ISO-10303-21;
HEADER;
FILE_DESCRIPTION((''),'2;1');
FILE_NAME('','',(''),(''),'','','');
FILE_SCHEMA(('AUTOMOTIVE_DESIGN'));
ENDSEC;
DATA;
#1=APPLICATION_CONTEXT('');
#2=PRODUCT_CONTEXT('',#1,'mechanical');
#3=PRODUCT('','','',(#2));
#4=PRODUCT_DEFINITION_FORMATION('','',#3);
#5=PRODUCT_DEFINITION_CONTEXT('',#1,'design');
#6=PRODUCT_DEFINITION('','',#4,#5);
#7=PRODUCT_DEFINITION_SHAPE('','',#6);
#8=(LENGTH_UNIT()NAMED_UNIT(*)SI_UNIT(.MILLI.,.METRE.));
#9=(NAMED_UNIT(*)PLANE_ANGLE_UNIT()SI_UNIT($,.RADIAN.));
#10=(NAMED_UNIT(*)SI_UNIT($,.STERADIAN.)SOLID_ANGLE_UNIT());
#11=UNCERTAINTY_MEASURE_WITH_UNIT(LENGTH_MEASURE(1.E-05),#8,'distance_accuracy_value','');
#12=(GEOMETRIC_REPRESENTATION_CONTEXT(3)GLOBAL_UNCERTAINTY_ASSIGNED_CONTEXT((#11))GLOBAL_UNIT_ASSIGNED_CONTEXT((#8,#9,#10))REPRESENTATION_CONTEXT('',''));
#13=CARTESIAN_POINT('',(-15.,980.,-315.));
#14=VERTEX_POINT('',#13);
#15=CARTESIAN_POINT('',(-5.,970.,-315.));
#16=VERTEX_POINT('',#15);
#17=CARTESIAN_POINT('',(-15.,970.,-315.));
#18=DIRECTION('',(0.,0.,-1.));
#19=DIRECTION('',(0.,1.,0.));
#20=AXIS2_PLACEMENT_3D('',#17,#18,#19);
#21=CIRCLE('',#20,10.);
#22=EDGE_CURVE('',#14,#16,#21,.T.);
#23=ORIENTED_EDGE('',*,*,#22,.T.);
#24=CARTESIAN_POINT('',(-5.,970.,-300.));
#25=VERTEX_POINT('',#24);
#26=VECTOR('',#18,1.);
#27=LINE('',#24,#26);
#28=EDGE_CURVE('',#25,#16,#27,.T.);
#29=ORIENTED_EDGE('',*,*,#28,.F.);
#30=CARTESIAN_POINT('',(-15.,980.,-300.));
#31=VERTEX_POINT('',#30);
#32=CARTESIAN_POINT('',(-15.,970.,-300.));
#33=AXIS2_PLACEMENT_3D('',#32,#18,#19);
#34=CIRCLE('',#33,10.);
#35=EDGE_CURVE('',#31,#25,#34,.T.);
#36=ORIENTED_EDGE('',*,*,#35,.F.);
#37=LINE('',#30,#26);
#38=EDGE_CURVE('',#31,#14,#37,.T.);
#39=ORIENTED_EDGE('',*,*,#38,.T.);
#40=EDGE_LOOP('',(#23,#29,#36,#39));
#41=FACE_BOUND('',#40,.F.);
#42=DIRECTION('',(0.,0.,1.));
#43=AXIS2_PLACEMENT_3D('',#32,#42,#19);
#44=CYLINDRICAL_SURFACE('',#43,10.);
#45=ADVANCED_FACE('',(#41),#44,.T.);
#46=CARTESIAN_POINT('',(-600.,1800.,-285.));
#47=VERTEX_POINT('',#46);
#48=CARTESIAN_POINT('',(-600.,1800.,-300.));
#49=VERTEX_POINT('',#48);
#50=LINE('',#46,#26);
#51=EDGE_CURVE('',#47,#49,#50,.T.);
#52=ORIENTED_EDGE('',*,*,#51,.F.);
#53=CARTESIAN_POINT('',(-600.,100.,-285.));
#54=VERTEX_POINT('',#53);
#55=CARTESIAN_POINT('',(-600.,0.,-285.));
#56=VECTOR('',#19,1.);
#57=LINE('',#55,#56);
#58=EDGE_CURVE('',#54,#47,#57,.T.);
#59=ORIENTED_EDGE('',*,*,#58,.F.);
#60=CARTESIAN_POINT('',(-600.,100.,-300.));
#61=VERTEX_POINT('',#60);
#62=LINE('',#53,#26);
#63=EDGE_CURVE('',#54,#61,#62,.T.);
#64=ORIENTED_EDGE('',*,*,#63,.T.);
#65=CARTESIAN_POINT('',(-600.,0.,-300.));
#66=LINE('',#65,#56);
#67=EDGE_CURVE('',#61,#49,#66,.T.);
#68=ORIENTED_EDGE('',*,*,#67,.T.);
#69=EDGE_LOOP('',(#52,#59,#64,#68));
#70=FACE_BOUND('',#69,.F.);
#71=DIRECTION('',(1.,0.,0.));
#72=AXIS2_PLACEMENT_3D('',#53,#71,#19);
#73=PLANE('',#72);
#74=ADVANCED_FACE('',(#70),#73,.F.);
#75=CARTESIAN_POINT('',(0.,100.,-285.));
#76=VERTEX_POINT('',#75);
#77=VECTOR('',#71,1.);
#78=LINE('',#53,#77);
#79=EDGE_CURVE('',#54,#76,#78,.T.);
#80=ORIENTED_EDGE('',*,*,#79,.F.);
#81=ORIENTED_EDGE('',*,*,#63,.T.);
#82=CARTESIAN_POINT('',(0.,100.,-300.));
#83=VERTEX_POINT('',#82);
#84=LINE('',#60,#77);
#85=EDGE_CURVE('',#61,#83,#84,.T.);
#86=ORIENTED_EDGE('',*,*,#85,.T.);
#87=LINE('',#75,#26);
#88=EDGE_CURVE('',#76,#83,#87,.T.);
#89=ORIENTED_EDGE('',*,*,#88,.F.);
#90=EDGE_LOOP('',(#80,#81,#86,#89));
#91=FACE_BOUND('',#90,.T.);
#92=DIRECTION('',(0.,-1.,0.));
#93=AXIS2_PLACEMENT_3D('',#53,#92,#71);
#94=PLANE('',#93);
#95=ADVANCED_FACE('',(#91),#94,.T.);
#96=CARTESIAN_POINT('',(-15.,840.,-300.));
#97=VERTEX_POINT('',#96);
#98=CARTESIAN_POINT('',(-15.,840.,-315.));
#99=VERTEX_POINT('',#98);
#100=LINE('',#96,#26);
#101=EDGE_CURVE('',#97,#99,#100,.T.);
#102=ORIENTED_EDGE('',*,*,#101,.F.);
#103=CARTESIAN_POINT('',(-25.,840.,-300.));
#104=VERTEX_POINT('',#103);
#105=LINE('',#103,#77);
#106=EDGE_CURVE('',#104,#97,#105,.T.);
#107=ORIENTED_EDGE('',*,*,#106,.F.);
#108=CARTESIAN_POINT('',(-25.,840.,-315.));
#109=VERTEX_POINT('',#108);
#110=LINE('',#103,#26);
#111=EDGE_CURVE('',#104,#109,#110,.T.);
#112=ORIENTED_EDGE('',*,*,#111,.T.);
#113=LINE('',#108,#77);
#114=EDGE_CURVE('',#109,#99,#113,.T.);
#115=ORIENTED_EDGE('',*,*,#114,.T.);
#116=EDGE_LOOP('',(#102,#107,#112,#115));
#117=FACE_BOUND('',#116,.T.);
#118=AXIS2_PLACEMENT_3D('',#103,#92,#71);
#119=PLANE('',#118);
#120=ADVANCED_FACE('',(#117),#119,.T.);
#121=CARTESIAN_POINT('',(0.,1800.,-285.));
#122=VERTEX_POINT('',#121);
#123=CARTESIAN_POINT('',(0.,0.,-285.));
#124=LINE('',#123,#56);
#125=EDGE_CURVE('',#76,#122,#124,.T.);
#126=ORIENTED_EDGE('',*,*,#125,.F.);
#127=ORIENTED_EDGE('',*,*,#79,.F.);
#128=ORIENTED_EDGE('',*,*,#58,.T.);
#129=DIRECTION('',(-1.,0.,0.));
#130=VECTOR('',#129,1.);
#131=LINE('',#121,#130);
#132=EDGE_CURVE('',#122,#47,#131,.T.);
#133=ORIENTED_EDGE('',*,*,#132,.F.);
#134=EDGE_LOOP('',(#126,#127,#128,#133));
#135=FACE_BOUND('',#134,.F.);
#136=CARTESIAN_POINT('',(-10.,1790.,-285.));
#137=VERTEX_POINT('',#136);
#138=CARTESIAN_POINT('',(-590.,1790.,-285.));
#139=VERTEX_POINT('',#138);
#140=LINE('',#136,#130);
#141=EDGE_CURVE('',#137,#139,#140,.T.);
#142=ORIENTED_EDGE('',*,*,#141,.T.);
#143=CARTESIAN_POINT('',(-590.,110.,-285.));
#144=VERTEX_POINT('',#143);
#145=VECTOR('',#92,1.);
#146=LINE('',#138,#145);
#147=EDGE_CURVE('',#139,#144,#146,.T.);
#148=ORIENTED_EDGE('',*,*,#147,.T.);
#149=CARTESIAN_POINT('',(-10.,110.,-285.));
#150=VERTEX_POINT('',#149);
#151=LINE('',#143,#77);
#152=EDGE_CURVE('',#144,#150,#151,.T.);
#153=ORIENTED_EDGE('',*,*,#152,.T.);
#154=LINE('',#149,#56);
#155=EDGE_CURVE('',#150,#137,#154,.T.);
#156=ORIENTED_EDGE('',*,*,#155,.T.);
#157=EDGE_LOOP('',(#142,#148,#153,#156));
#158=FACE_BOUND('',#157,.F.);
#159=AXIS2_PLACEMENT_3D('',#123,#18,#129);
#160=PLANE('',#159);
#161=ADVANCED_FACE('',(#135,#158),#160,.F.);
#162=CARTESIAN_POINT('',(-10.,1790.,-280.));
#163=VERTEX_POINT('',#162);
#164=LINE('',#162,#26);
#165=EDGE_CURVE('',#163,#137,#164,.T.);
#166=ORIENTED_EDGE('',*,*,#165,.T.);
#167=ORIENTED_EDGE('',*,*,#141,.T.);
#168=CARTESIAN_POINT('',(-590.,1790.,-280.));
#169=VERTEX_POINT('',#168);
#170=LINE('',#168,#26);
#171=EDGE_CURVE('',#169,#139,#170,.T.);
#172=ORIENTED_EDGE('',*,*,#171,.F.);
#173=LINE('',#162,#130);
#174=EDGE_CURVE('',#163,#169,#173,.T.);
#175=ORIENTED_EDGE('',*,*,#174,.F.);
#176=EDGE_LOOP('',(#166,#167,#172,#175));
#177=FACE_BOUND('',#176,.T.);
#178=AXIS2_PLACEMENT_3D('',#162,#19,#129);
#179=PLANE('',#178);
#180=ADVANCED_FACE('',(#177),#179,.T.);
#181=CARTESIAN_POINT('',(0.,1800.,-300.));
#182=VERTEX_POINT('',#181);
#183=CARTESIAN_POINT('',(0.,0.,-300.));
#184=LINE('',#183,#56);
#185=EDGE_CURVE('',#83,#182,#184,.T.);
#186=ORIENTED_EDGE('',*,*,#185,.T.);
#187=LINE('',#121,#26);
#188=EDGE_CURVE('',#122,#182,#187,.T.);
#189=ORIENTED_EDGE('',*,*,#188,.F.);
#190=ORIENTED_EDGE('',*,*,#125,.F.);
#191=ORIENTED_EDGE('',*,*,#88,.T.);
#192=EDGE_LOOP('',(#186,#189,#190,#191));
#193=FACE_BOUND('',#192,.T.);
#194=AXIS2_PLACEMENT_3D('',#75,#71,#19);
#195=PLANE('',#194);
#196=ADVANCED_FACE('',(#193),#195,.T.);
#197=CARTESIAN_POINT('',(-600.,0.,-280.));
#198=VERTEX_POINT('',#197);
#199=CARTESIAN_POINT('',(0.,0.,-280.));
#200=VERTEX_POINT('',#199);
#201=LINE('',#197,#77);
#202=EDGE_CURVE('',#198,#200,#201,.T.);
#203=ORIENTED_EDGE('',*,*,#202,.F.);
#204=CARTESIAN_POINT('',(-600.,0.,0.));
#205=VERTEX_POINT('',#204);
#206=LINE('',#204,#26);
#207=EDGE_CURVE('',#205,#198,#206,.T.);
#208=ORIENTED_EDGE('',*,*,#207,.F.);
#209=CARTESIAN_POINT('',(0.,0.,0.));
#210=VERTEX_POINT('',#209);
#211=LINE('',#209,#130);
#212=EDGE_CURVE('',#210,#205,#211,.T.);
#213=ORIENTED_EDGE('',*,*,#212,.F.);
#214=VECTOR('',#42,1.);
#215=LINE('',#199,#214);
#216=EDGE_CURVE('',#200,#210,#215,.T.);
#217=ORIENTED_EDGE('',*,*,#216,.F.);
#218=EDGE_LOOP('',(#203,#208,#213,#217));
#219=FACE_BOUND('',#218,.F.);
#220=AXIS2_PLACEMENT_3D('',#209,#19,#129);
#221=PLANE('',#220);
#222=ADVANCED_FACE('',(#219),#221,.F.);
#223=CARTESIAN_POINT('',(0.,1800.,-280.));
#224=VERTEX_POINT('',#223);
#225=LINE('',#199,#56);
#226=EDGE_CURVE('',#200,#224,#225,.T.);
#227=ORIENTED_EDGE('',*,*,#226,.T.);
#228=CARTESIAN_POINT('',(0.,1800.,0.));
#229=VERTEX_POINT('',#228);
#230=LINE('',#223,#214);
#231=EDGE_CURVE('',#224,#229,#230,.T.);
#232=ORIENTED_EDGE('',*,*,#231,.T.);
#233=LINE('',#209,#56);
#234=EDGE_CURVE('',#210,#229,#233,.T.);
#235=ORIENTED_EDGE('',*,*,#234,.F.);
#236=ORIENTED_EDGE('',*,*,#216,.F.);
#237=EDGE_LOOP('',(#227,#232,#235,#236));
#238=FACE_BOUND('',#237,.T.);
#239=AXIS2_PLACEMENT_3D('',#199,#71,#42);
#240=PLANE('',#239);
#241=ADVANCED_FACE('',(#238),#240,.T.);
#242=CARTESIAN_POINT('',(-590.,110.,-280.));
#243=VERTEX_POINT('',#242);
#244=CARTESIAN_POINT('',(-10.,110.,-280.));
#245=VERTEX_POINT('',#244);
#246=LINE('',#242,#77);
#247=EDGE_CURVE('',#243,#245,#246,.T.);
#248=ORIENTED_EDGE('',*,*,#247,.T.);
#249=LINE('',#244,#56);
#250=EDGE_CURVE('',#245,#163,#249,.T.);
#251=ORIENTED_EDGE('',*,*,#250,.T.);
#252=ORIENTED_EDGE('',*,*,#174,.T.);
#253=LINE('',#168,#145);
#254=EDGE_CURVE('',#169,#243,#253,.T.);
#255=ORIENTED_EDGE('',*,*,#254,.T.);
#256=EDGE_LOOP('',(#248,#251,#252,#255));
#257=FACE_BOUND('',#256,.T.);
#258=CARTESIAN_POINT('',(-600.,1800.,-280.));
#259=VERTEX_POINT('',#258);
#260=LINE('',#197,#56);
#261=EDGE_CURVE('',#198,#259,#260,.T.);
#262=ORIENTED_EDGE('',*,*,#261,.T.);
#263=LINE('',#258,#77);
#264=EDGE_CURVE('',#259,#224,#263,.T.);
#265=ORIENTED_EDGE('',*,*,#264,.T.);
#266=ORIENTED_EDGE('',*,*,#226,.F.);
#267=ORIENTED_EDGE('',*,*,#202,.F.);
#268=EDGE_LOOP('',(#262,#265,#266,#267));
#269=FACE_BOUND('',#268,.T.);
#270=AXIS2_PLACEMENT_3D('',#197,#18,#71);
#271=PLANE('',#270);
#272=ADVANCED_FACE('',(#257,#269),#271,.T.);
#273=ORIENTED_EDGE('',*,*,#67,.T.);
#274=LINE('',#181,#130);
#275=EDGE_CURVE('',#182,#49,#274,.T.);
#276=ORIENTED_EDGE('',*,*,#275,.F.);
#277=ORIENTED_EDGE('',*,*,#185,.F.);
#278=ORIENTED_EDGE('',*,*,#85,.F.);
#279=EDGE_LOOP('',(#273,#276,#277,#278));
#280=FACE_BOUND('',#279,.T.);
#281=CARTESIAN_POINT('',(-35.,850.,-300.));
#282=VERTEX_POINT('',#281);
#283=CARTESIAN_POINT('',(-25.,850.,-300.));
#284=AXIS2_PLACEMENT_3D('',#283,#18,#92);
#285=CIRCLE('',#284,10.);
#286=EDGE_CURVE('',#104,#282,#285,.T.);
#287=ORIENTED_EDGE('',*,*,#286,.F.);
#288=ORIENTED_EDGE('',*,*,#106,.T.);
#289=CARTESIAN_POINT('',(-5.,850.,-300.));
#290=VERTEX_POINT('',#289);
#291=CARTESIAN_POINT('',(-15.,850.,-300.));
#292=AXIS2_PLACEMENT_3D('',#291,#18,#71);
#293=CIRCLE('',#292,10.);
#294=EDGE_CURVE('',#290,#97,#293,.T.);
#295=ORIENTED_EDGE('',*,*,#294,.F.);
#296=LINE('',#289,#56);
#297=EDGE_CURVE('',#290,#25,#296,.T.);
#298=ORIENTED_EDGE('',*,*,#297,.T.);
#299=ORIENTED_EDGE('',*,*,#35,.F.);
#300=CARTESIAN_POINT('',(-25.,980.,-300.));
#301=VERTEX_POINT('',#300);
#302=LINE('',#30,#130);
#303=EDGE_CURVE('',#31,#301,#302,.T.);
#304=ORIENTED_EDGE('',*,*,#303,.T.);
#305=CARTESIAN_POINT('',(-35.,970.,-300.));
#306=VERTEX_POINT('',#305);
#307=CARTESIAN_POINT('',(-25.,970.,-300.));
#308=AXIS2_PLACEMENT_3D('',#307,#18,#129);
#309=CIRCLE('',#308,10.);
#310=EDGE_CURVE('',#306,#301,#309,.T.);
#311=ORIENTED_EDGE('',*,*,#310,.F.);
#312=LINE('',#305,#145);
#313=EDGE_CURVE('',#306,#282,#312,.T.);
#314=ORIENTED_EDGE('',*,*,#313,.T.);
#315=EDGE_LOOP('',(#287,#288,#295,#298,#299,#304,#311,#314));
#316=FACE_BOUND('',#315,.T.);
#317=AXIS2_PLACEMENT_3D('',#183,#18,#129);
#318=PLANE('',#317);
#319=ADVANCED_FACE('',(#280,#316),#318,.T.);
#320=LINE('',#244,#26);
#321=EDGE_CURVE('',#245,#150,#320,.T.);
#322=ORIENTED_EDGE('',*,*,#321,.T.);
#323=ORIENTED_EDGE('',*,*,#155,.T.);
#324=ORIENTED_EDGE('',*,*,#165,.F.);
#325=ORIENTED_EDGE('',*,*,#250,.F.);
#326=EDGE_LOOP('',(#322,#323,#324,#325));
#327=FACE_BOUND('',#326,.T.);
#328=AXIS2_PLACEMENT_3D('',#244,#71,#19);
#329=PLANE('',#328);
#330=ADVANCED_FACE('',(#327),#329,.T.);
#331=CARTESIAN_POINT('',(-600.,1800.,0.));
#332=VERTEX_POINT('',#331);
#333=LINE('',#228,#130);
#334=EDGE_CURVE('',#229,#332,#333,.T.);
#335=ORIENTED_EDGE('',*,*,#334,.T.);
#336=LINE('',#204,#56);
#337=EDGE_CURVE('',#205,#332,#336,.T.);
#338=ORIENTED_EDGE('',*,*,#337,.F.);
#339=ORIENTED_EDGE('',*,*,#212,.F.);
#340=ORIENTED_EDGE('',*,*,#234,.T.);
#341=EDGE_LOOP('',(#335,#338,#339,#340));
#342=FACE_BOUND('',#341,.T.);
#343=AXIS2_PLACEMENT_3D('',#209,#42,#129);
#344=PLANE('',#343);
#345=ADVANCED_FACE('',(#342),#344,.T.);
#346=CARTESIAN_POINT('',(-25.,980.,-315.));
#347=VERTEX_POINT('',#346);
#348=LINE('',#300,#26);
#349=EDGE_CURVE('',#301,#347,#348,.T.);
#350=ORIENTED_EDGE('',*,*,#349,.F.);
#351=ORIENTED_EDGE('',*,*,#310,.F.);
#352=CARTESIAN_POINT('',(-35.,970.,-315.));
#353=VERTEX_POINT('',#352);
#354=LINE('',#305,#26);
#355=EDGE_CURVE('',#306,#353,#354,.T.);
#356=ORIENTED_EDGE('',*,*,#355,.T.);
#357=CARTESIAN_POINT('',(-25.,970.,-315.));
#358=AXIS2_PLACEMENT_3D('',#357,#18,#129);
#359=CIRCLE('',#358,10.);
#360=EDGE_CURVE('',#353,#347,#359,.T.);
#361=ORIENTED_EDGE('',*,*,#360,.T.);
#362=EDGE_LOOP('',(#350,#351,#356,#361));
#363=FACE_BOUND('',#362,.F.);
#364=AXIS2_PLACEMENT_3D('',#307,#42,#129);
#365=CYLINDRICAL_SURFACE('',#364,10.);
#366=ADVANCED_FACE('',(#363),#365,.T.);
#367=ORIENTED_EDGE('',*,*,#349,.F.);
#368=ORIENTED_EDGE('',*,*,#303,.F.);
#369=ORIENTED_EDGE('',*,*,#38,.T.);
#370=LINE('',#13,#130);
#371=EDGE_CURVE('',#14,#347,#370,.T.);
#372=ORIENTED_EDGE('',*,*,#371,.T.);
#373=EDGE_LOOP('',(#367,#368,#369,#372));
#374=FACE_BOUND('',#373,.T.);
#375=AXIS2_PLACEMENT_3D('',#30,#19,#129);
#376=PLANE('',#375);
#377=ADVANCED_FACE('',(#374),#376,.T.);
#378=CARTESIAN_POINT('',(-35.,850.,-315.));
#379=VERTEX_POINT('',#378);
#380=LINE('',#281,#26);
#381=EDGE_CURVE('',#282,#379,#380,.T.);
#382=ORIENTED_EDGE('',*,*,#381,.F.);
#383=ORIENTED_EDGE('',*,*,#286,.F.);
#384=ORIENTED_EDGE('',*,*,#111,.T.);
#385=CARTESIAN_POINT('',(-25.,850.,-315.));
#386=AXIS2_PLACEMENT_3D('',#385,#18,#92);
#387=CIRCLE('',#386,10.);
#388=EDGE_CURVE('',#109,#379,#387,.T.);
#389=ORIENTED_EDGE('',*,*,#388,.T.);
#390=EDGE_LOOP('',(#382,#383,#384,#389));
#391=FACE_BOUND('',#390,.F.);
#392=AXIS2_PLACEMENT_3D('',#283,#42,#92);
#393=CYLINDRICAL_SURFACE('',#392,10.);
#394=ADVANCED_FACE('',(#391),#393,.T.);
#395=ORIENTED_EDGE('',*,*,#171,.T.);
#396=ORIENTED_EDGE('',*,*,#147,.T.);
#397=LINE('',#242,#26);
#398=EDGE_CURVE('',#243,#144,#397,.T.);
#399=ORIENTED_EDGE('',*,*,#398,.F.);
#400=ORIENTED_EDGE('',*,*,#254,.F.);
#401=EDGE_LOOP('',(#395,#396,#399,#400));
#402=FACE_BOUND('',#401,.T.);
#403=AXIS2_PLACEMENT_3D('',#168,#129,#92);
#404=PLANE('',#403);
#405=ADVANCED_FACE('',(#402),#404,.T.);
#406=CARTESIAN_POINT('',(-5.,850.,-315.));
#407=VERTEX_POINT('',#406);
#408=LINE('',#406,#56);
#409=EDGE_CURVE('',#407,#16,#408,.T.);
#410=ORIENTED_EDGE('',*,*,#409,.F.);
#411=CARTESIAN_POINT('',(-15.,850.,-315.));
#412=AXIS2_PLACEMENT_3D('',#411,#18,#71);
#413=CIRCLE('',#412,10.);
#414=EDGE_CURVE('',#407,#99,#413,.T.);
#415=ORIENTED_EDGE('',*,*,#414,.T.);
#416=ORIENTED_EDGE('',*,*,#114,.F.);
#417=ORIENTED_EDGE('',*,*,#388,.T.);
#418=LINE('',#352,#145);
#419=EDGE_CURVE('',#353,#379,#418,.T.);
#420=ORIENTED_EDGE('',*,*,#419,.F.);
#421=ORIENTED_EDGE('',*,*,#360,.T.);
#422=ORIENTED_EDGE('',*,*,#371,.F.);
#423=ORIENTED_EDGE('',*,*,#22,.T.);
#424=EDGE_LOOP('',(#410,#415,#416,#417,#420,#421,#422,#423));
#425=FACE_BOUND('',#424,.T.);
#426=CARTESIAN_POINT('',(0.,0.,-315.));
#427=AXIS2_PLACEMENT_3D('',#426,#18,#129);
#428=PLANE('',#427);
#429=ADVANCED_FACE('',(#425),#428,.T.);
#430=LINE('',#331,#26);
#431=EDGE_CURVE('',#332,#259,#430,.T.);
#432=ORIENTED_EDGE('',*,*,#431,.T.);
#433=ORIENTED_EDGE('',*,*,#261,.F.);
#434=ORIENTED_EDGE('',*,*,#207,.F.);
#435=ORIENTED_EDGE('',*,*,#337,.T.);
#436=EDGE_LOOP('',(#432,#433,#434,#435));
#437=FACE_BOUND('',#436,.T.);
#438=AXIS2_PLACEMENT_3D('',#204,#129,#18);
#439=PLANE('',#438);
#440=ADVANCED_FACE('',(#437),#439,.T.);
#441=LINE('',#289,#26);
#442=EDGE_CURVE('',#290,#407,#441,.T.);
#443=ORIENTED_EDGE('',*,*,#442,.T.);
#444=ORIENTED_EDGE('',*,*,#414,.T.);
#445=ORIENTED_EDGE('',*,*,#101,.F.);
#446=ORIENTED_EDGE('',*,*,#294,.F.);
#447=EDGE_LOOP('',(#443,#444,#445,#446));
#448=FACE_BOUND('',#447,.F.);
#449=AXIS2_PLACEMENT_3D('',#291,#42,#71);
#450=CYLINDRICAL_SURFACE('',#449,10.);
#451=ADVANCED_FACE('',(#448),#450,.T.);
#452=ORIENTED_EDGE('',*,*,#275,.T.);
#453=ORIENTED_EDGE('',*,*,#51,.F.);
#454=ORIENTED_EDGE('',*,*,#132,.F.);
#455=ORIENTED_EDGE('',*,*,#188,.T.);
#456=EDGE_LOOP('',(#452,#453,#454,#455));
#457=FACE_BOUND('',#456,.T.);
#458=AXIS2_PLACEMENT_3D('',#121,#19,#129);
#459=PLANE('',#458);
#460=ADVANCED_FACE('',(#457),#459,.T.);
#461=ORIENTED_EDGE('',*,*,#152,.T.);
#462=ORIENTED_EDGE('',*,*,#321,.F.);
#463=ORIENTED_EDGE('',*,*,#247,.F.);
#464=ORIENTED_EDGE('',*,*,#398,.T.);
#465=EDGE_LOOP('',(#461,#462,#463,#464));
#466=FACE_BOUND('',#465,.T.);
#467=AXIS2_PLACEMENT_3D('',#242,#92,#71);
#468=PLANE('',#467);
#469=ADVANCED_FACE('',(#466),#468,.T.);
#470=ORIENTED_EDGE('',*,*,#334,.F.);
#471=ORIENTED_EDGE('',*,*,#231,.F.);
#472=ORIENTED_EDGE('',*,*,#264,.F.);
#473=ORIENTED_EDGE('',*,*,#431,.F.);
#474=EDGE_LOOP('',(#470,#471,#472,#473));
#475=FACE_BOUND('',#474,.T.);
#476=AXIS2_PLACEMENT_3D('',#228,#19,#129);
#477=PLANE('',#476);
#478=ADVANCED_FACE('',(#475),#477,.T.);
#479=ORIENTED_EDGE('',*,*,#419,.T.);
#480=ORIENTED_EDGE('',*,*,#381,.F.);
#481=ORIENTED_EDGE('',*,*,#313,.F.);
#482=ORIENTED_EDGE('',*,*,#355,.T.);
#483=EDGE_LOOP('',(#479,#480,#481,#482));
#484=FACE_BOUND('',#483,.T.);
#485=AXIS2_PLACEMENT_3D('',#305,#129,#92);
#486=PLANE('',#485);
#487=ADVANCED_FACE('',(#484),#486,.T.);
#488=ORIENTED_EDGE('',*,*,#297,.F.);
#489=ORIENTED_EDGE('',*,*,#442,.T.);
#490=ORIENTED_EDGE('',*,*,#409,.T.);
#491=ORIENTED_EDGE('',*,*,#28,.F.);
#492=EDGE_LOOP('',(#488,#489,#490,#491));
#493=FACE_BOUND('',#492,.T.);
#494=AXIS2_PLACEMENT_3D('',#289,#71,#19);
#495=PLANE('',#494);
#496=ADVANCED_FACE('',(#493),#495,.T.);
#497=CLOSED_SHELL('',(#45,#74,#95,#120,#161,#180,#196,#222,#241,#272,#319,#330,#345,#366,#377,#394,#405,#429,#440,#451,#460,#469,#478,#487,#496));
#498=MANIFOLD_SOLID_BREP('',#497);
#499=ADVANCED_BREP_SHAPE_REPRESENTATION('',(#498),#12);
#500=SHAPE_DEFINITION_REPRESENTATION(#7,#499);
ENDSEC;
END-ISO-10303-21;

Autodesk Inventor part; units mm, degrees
ref_plane "YZ Plane" through (0, 0, 0) normal (1, 0, 0) x (0, 1, 0)
ref_plane "XZ Plane" through (0, 0, 0) normal (0, 1, 0) x (-1, 0, 0)
ref_plane "XY Plane" through (0, 0, 0) normal (0, 0, 1) x (1, 0, 0)
sketch "Skizze1" plane through (0, 0, 0) normal (0, 1, 0) x (-1, 0, 0)
  line L0 (0, 0) -> (600, 0)
  line L1 (600, 0) -> (600, -280)
  line L2 (600, -280) -> (0, -280)
  line L3 (0, -280) -> (0, 0)
  dimension "d0" = 600
  dimension "d1" = 280
extrude "Extrusion1" add sketch "Skizze1" along normal blind 1800
sketch "Skizze2" plane through (0, 0, -280) normal (0, 0, -1) x (-1, 0, 0)
  line L0 (10, 1790) -> (590, 1790)
  line L1 (590, 1790) -> (590, 110)
  line L2 (590, 110) -> (10, 110)
  line L3 (10, 110) -> (10, 1790)
  line L4 (0, 0) -> (0, 1800) projected
  line L5 (600, 0) -> (600, 1800) projected
  line L6 (0, 1800) -> (600, 1800) projected
  line L7 (0, 0) -> (600, 0) projected
  dimension "d4" = 10
  dimension "d5" = 10
  dimension "d6" = 10
  dimension "d7" = 110
extrude "Extrusion2" add sketch "Skizze2" along normal blind 5 contours L0 L1 L2 L3
sketch "Skizze3" plane through (0, 0, -285) normal (0, 0, -1) x (-1, 0, 0)
  line L0 (0, 0) -> (0, 1800) projected
  line L1 (600, 0) -> (600, 1800) projected
  line L2 (0, 1800) -> (600, 1800)
  line L3 (600, 1800) -> (600, 100)
  line L4 (600, 100) -> (0, 100)
  line L5 (0, 100) -> (0, 1800)
  line L6 (10, 110) -> (590, 110) projected
  point P0 (0, 100)
  dimension "d10" = 10
extrude "Extrusion3" add sketch "Skizze3" along normal blind 15
sketch "Skizze4" plane through (0, 0, -300) normal (0, 0, -1) x (-1, 0, 0)
  line L0 (15, 980) -> (25, 980)
  line L1 (35, 970) -> (35, 850)
  line L2 (25, 840) -> (15, 840)
  line L3 (5, 850) -> (5, 970)
  line L4 (0, 0) -> (600, 0) projected
  line L5 (0, 1800) -> (0, 100) projected
  arc A0 (5, 850) -> (15, 840) centre (15, 850) ccw
  arc A1 (25, 840) -> (35, 850) centre (25, 850) ccw
  arc A2 (35, 970) -> (25, 980) centre (25, 970) ccw
  arc A3 (15, 980) -> (5, 970) centre (15, 970) ccw
  dimension "d13" = 840
  dimension "d14" = 140
  dimension "d15" = 30
  dimension "d16" = 5
  dimension "d17" = 10
extrude "Extrusion4" add sketch "Skizze4" along normal blind 15
equation "\"d5\" = d4"
equation "\"d6\" = d5"
properties part number "Schaltschrank1"
